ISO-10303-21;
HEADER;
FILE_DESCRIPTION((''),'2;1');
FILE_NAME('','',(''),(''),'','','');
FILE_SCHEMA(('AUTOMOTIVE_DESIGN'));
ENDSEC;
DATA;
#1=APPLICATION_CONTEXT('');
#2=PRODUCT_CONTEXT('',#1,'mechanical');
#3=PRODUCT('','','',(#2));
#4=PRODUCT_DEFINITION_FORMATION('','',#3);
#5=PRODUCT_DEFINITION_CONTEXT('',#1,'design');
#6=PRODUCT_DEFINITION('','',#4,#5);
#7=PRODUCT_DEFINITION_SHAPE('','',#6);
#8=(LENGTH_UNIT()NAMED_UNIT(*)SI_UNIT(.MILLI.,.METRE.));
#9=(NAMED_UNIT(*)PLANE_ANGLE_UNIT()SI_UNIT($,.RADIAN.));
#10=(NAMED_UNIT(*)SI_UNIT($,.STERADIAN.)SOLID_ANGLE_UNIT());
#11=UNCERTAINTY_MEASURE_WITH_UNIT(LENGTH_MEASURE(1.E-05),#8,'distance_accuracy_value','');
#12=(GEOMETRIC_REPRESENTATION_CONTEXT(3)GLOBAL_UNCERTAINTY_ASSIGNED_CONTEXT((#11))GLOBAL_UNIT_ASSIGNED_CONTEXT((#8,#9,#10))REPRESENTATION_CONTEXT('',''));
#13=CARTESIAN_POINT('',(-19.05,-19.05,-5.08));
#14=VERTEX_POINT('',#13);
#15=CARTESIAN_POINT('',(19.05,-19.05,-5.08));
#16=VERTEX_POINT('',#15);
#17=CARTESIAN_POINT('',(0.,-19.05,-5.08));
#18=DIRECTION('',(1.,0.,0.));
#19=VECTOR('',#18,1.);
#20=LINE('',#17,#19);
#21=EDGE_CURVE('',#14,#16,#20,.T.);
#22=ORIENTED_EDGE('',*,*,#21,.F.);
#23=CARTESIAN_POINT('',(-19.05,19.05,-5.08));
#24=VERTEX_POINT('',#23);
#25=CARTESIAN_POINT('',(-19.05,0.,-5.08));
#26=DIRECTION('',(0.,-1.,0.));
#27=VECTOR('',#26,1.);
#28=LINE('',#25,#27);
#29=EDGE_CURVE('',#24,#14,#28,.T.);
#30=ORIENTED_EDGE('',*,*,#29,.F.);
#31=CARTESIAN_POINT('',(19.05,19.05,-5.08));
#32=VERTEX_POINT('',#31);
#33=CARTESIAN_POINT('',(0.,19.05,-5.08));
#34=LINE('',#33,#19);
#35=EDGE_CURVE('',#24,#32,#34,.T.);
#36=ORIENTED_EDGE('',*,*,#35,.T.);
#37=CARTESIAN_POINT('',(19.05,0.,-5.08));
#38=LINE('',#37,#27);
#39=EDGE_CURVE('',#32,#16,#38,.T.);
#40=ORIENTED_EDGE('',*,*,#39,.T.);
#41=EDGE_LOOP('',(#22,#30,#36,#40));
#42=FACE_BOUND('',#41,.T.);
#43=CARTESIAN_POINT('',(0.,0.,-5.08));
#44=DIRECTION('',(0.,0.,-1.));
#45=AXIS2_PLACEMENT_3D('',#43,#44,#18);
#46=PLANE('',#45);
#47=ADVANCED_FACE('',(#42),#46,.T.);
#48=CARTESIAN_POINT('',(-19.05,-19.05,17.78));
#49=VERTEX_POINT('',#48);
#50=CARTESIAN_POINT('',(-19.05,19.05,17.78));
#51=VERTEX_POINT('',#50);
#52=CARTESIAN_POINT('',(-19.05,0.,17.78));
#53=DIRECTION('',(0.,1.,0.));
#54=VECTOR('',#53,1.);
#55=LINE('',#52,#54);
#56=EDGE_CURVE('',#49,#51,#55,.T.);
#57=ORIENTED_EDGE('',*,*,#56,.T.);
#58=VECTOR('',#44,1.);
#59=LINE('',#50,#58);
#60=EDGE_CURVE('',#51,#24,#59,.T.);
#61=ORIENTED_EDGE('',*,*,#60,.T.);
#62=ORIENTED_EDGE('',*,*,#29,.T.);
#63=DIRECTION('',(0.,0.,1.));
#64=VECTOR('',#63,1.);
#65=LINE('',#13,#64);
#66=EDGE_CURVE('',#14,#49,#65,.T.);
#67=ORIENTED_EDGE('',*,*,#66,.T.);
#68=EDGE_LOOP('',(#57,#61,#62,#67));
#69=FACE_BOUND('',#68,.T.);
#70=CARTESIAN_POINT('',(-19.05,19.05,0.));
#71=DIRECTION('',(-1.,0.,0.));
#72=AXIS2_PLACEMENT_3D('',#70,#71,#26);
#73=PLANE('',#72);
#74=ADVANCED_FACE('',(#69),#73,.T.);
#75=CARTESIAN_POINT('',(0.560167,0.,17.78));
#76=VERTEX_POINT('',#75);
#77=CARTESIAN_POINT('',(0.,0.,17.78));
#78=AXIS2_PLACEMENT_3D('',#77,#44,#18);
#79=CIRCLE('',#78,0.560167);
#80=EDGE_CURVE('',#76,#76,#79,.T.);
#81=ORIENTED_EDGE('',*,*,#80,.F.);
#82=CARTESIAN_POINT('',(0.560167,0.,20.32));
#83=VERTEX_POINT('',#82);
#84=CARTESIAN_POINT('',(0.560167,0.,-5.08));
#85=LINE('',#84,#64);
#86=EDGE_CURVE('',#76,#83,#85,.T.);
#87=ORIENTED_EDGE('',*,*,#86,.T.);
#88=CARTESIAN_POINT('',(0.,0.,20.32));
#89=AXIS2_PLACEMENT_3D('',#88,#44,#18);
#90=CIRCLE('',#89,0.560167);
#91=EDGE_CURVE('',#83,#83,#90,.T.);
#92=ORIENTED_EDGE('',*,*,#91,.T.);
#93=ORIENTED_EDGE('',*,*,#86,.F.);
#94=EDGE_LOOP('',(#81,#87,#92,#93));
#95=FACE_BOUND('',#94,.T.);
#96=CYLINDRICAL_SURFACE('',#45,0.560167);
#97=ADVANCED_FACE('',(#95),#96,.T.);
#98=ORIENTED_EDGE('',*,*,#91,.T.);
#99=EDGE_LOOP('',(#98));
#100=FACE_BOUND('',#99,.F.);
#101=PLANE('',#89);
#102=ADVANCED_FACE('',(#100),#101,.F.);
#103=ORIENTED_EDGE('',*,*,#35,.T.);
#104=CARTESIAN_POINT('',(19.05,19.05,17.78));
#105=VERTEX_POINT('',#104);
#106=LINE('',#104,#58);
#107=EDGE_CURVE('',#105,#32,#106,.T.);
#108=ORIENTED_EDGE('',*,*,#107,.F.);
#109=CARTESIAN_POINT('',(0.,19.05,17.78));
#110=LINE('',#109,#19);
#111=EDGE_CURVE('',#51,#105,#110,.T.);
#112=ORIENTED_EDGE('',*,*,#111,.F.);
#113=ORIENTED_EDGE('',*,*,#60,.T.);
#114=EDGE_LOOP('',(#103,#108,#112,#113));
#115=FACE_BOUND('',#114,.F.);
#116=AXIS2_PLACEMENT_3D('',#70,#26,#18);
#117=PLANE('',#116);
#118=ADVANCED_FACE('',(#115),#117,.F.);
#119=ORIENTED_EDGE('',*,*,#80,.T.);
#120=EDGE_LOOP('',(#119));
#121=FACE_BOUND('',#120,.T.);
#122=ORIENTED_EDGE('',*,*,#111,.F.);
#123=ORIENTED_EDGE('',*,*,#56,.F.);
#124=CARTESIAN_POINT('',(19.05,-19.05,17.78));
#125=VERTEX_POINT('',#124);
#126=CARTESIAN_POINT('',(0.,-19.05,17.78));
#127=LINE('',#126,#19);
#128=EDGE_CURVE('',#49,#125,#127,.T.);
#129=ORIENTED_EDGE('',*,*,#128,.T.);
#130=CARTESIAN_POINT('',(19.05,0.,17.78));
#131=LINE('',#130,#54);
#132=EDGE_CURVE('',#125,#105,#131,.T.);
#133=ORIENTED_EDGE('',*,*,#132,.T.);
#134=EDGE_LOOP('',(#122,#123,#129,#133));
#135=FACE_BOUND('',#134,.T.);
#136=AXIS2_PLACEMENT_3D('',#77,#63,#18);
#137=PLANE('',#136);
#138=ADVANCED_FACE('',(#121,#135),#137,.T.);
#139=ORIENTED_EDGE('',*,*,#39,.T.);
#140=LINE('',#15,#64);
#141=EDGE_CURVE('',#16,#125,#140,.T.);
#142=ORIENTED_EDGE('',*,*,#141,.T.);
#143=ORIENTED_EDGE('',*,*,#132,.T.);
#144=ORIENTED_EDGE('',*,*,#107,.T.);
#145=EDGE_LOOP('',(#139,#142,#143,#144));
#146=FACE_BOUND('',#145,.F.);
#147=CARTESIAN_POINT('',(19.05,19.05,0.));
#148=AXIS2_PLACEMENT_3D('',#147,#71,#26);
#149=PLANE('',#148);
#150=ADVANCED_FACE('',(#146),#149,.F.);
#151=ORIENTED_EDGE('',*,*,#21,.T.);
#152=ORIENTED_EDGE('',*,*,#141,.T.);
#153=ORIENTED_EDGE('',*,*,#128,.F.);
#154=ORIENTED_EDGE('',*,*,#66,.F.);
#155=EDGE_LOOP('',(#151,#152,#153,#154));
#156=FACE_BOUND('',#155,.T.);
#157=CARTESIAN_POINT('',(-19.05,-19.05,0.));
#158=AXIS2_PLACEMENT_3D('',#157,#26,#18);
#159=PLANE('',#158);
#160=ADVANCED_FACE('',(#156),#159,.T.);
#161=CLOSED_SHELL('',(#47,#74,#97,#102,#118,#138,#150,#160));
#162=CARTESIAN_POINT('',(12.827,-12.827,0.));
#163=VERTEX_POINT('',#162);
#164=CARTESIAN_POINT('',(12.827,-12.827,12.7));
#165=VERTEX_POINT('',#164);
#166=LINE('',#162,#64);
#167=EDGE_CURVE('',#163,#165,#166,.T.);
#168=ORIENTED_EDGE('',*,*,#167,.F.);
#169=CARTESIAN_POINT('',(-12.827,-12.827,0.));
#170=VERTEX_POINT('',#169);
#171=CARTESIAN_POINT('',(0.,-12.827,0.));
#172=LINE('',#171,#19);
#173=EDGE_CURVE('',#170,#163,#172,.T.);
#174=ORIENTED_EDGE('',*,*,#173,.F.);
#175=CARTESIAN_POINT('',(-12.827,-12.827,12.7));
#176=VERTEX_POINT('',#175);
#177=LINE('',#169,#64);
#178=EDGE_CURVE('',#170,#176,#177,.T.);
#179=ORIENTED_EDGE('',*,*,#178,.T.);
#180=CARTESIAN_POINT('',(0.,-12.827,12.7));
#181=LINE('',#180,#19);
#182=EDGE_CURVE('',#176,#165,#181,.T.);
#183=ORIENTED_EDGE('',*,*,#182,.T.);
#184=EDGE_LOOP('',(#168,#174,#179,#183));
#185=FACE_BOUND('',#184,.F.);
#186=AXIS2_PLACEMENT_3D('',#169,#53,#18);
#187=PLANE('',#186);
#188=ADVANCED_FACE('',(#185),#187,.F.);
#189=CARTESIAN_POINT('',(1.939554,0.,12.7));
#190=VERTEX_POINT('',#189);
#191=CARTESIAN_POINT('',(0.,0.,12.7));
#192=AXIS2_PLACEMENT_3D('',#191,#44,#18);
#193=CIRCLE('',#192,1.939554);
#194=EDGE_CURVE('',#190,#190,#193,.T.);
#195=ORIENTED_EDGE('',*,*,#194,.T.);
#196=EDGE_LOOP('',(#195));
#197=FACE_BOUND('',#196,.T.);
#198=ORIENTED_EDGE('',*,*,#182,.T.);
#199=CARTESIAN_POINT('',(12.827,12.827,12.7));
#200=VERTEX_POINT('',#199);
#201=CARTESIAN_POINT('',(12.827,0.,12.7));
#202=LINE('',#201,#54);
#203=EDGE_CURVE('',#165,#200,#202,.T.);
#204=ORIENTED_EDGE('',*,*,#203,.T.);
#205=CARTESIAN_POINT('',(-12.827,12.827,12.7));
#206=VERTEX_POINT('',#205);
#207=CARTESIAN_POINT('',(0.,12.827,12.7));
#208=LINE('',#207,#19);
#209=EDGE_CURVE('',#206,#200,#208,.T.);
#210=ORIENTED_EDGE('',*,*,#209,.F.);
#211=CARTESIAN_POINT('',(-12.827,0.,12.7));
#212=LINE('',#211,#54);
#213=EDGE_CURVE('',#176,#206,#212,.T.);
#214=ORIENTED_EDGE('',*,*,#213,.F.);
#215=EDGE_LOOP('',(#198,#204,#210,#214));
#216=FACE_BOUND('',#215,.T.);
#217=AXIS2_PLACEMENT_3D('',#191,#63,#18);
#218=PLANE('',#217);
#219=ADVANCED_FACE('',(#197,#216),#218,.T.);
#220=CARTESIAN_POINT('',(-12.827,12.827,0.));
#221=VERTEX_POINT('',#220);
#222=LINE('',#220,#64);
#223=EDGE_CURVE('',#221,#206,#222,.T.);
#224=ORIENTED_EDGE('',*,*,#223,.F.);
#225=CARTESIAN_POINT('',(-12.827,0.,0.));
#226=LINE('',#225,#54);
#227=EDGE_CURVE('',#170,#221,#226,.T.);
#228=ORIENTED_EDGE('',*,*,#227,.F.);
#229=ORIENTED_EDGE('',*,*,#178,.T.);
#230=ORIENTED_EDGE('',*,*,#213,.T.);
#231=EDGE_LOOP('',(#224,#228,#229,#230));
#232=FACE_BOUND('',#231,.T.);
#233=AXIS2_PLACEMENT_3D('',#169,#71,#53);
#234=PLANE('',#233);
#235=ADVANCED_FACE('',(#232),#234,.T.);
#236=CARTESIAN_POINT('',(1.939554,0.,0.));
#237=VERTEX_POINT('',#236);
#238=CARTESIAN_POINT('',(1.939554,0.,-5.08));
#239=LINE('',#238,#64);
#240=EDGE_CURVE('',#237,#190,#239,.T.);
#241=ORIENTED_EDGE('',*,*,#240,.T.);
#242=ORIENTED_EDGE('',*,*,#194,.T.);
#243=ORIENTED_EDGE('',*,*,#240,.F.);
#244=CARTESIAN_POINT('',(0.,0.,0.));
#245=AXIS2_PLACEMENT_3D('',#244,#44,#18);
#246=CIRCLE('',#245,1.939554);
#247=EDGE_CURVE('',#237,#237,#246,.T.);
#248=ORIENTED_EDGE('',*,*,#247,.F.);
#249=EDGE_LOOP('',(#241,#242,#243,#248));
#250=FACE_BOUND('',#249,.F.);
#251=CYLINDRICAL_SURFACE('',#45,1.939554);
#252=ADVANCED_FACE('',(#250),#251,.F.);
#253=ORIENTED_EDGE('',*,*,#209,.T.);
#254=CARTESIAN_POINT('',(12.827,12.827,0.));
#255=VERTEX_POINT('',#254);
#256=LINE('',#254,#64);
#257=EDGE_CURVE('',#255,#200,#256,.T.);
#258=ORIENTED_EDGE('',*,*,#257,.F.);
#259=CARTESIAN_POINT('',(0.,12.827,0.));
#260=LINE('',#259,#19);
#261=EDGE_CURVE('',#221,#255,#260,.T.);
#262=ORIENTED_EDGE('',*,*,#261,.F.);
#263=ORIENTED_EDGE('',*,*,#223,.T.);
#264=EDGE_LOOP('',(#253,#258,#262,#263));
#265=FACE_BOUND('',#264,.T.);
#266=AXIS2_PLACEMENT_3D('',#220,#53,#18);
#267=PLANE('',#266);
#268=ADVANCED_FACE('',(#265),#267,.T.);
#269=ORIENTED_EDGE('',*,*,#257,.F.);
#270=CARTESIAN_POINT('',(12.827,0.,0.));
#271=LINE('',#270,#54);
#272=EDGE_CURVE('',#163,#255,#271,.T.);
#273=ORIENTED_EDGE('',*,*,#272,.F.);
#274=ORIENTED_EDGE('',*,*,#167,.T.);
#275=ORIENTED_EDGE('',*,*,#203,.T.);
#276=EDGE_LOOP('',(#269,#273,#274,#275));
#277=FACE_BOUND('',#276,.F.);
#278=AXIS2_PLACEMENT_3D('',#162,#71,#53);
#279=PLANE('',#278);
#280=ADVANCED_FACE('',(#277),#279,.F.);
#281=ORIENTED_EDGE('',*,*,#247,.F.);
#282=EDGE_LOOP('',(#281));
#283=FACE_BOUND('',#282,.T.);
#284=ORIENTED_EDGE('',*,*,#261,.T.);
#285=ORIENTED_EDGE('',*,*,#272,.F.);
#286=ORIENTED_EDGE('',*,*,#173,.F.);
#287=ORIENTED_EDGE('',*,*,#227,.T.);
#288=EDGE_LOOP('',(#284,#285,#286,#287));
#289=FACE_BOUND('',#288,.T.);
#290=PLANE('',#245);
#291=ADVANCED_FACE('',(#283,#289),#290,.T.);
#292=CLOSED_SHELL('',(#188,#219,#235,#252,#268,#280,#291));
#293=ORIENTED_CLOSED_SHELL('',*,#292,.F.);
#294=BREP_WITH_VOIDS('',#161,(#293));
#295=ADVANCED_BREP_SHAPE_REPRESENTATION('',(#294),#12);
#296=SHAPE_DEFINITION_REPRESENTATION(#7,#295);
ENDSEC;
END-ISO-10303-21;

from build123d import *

# Parameters (mm, degrees)
F0_W      = 38.1
F0_H      = 38.1
F1_DEPTH  = 12.7
F2_W      = 25.654
F2_H      = 25.654
F3_DEPTH  = 12.7
F4_W      = 38.1
F4_H      = 38.1
F5_DEPTH  = 5.08
F6_W      = 38.1
F6_H      = 38.1
F7_DEPTH  = 5.08
F8_R      = 1.939554
F9_DEPTH  = 22.606
F10_R     = 0.53889
F11_DEPTH = 25.4
F12_R     = 0.560167
F13_DEPTH = 25.4


with BuildPart() as f1:
    # F0 (on Top) → F1 (new body)
    with BuildSketch(Plane.XY):
        Rectangle(F0_W, F0_H)
    extrude(amount=F1_DEPTH)

    # F2 (on Top) → F3 (cut)
    with BuildSketch(Plane.XY):
        Rectangle(F2_W, F2_H)
    extrude(amount=F3_DEPTH, mode=Mode.SUBTRACT)

    # F4 (on face) → F5 (join)
    with BuildSketch(Plane.XY.offset(12.7)):
        Rectangle(F4_W, F4_H)
    extrude(amount=F5_DEPTH)

    # F6 (on face) → F7 (join)
    with BuildSketch(Plane(origin=(0, 0, 0), x_dir=(1, 0, 0), z_dir=(0, 0, -1))):
        Rectangle(F6_W, F6_H)
    extrude(amount=F7_DEPTH)

    # F8 (on face) → F9 (join)
    with BuildSketch(Plane(origin=(0, 0, -5.08), x_dir=(1, 0, 0), z_dir=(0, 0, -1))):
        Circle(F8_R)
    extrude(amount=-F9_DEPTH)

    # F10 (on face) → F11 (cut)
    with BuildSketch(Plane(origin=(0, 0, -5.08), x_dir=(1, 0, 0), z_dir=(0, 0, -1))):
        Circle(F10_R)
    extrude(amount=-F11_DEPTH, mode=Mode.SUBTRACT)

    # F12 (on face) → F13 (join)
    with BuildSketch(Plane(origin=(0, 0, -5.08), x_dir=(1, 0, 0), z_dir=(0, 0, -1))):
        Circle(F12_R)
    extrude(amount=-F13_DEPTH)


solid = f1.part
